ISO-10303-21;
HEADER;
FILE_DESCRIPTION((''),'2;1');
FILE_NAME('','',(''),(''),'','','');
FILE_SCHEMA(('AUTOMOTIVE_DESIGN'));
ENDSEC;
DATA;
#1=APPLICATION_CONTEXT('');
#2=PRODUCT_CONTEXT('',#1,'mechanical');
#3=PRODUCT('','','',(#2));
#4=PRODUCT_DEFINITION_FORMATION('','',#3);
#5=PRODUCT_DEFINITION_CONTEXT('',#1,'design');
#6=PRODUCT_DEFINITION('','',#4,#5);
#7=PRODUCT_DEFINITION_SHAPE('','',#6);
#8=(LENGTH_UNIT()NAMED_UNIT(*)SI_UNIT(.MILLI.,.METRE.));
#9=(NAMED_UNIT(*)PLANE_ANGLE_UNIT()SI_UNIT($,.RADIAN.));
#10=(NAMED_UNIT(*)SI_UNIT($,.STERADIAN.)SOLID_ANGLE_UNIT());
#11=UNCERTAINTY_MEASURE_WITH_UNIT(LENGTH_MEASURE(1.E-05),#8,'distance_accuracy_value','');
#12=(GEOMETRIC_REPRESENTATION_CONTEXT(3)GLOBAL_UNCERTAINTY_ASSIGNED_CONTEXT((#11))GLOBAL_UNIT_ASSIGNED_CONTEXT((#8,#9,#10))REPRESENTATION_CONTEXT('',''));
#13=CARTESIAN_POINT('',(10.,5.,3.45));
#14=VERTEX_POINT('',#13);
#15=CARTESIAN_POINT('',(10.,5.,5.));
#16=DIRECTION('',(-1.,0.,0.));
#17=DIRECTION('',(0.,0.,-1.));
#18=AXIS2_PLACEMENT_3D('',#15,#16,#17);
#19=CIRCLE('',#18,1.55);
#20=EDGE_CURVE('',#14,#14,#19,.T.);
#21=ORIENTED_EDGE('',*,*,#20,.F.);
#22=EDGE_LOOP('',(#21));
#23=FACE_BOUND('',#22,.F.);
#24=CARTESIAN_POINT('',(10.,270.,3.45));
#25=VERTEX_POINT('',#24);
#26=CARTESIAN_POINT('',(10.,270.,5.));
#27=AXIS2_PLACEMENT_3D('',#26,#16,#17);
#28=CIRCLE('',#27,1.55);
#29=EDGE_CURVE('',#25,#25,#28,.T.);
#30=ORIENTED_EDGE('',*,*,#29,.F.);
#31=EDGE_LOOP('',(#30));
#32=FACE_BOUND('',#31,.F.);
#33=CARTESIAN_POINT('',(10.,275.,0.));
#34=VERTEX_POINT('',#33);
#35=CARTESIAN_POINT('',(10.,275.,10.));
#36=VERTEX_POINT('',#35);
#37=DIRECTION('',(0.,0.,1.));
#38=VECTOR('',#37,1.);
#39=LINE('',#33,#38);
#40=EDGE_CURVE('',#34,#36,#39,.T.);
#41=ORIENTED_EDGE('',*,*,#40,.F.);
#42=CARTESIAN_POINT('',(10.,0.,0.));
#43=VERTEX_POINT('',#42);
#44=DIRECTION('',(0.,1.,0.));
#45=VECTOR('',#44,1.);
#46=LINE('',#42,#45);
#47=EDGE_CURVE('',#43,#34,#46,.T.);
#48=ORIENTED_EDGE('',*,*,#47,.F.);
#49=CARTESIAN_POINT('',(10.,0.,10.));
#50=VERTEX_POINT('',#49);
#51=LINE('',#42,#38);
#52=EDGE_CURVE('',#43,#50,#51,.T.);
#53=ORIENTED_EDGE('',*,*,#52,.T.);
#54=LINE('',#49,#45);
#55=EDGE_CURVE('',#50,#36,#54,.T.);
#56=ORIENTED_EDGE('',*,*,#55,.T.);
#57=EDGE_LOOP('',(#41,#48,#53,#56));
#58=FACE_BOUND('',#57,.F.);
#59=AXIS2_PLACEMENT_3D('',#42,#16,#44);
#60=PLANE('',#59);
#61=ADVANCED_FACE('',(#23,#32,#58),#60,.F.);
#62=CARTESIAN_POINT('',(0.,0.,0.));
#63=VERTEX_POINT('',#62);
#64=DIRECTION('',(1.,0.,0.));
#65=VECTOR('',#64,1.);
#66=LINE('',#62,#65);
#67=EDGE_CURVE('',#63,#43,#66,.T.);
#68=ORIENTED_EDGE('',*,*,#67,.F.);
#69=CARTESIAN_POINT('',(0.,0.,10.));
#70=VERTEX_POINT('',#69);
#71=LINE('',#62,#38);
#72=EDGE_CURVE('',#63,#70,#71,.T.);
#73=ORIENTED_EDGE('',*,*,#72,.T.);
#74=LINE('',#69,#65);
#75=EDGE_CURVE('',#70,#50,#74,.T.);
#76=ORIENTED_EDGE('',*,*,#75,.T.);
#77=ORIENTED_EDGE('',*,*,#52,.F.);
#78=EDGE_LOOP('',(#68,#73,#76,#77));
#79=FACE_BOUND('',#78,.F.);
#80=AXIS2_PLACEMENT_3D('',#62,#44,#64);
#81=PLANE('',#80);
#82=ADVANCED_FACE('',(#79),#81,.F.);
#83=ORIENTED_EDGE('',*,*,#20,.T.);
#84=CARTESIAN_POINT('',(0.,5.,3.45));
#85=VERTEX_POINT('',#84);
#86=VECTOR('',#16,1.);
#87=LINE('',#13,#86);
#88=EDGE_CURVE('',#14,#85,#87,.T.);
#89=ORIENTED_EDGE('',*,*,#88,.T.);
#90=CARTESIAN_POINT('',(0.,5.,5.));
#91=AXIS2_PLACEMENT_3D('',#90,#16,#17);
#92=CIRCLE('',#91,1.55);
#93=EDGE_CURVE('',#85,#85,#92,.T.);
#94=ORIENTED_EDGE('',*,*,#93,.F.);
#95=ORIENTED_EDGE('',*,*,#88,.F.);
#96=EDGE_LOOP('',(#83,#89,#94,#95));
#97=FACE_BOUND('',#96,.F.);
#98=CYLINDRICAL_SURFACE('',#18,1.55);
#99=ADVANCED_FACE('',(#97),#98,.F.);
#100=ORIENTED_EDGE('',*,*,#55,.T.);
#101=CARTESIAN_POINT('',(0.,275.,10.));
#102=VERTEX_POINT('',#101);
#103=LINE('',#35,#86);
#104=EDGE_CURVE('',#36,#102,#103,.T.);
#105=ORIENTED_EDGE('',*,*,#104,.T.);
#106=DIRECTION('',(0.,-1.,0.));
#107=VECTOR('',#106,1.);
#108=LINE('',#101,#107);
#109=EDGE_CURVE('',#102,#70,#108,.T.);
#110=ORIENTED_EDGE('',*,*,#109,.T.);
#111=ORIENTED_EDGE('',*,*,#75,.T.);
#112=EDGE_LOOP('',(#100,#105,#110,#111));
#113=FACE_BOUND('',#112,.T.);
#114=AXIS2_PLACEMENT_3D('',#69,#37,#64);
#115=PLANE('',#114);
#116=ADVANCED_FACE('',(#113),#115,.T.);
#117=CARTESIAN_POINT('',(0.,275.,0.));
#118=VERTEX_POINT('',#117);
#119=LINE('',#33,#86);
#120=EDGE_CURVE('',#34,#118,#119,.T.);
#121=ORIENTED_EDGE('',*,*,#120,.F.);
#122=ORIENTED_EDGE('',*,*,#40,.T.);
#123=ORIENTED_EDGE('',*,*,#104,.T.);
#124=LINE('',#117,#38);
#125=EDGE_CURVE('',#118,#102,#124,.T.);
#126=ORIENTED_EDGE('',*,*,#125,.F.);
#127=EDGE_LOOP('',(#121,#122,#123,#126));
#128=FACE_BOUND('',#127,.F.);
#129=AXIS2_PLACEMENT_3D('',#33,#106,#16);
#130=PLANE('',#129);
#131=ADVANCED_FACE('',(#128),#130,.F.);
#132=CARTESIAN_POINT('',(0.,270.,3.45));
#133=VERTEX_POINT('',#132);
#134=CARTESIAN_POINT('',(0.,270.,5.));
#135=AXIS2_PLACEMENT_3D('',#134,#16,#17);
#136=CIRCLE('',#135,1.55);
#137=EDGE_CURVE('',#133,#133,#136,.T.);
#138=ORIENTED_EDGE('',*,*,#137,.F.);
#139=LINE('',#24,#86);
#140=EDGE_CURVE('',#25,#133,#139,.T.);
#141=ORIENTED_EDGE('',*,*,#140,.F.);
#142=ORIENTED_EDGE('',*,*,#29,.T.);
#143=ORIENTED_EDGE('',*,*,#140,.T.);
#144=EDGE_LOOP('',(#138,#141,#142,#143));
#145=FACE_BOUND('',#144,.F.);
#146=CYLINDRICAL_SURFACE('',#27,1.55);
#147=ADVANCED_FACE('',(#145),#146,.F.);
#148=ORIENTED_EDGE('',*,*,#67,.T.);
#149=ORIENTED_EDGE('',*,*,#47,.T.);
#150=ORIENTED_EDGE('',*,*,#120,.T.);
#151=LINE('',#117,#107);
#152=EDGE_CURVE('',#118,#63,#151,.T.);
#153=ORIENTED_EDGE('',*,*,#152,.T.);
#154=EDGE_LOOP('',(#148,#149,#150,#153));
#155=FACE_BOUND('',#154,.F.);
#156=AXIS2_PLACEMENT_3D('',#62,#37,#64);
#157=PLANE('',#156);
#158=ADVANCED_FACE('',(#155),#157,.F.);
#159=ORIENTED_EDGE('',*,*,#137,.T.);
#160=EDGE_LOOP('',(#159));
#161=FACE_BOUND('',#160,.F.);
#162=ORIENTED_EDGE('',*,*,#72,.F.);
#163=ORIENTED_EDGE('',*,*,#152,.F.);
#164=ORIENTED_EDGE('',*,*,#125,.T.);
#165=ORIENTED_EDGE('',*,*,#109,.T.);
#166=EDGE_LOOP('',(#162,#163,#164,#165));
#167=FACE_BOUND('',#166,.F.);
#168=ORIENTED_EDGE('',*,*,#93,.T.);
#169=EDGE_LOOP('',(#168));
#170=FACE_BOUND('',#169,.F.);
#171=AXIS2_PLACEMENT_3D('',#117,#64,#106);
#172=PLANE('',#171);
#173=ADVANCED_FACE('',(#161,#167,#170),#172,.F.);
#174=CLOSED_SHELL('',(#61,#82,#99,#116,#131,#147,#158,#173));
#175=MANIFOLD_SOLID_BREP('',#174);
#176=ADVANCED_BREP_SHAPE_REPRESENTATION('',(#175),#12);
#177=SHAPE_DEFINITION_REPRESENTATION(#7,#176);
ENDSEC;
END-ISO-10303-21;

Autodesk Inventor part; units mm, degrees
ref_plane "YZ Plane" through (0, 0, 0) normal (1, 0, 0) x (0, 1, 0)
ref_plane "XZ Plane" through (0, 0, 0) normal (0, 1, 0) x (-1, 0, 0)
ref_plane "XY Plane" through (0, 0, 0) normal (0, 0, 1) x (1, 0, 0)
sketch "スケッチ1" plane through (0, 0, 0) normal (0, 0, 1) x (1, 0, 0)
  line L0 (0, 0) -> (10, 0)
  line L1 (10, 0) -> (10, 275)
  line L2 (10, 275) -> (0, 275)
  line L3 (0, 275) -> (0, 0)
  dimension "d0" = 10
  dimension "d1" = 275
extrude "押し出し1" add sketch "スケッチ1" along normal blind 10
sketch "スケッチ2" plane through (10, 0, 0) normal (1, 0, 0) x (0, 0, -1)
  line L0 (0, 0) -> (-10, 0) projected
  line L1 (0, 275) -> (-10, 275) projected
  point P0 (-5, 5)
  point P1 (-5, 270)
  point P2 (-5, 0)
  point P3 (-5, 0)
  point P4 (-5, 0)
  point P5 (-5, 275)
  point P6 (-5, 0)
  point P7 (-5, 0)
  dimension "d4" = 5
  dimension "d5" = 5
hole "穴1" at (10, 5, 5) at (10, 270, 5) direction (-1, 0, 0) diameter 3.1 end through all
properties part number "SokuTate"
